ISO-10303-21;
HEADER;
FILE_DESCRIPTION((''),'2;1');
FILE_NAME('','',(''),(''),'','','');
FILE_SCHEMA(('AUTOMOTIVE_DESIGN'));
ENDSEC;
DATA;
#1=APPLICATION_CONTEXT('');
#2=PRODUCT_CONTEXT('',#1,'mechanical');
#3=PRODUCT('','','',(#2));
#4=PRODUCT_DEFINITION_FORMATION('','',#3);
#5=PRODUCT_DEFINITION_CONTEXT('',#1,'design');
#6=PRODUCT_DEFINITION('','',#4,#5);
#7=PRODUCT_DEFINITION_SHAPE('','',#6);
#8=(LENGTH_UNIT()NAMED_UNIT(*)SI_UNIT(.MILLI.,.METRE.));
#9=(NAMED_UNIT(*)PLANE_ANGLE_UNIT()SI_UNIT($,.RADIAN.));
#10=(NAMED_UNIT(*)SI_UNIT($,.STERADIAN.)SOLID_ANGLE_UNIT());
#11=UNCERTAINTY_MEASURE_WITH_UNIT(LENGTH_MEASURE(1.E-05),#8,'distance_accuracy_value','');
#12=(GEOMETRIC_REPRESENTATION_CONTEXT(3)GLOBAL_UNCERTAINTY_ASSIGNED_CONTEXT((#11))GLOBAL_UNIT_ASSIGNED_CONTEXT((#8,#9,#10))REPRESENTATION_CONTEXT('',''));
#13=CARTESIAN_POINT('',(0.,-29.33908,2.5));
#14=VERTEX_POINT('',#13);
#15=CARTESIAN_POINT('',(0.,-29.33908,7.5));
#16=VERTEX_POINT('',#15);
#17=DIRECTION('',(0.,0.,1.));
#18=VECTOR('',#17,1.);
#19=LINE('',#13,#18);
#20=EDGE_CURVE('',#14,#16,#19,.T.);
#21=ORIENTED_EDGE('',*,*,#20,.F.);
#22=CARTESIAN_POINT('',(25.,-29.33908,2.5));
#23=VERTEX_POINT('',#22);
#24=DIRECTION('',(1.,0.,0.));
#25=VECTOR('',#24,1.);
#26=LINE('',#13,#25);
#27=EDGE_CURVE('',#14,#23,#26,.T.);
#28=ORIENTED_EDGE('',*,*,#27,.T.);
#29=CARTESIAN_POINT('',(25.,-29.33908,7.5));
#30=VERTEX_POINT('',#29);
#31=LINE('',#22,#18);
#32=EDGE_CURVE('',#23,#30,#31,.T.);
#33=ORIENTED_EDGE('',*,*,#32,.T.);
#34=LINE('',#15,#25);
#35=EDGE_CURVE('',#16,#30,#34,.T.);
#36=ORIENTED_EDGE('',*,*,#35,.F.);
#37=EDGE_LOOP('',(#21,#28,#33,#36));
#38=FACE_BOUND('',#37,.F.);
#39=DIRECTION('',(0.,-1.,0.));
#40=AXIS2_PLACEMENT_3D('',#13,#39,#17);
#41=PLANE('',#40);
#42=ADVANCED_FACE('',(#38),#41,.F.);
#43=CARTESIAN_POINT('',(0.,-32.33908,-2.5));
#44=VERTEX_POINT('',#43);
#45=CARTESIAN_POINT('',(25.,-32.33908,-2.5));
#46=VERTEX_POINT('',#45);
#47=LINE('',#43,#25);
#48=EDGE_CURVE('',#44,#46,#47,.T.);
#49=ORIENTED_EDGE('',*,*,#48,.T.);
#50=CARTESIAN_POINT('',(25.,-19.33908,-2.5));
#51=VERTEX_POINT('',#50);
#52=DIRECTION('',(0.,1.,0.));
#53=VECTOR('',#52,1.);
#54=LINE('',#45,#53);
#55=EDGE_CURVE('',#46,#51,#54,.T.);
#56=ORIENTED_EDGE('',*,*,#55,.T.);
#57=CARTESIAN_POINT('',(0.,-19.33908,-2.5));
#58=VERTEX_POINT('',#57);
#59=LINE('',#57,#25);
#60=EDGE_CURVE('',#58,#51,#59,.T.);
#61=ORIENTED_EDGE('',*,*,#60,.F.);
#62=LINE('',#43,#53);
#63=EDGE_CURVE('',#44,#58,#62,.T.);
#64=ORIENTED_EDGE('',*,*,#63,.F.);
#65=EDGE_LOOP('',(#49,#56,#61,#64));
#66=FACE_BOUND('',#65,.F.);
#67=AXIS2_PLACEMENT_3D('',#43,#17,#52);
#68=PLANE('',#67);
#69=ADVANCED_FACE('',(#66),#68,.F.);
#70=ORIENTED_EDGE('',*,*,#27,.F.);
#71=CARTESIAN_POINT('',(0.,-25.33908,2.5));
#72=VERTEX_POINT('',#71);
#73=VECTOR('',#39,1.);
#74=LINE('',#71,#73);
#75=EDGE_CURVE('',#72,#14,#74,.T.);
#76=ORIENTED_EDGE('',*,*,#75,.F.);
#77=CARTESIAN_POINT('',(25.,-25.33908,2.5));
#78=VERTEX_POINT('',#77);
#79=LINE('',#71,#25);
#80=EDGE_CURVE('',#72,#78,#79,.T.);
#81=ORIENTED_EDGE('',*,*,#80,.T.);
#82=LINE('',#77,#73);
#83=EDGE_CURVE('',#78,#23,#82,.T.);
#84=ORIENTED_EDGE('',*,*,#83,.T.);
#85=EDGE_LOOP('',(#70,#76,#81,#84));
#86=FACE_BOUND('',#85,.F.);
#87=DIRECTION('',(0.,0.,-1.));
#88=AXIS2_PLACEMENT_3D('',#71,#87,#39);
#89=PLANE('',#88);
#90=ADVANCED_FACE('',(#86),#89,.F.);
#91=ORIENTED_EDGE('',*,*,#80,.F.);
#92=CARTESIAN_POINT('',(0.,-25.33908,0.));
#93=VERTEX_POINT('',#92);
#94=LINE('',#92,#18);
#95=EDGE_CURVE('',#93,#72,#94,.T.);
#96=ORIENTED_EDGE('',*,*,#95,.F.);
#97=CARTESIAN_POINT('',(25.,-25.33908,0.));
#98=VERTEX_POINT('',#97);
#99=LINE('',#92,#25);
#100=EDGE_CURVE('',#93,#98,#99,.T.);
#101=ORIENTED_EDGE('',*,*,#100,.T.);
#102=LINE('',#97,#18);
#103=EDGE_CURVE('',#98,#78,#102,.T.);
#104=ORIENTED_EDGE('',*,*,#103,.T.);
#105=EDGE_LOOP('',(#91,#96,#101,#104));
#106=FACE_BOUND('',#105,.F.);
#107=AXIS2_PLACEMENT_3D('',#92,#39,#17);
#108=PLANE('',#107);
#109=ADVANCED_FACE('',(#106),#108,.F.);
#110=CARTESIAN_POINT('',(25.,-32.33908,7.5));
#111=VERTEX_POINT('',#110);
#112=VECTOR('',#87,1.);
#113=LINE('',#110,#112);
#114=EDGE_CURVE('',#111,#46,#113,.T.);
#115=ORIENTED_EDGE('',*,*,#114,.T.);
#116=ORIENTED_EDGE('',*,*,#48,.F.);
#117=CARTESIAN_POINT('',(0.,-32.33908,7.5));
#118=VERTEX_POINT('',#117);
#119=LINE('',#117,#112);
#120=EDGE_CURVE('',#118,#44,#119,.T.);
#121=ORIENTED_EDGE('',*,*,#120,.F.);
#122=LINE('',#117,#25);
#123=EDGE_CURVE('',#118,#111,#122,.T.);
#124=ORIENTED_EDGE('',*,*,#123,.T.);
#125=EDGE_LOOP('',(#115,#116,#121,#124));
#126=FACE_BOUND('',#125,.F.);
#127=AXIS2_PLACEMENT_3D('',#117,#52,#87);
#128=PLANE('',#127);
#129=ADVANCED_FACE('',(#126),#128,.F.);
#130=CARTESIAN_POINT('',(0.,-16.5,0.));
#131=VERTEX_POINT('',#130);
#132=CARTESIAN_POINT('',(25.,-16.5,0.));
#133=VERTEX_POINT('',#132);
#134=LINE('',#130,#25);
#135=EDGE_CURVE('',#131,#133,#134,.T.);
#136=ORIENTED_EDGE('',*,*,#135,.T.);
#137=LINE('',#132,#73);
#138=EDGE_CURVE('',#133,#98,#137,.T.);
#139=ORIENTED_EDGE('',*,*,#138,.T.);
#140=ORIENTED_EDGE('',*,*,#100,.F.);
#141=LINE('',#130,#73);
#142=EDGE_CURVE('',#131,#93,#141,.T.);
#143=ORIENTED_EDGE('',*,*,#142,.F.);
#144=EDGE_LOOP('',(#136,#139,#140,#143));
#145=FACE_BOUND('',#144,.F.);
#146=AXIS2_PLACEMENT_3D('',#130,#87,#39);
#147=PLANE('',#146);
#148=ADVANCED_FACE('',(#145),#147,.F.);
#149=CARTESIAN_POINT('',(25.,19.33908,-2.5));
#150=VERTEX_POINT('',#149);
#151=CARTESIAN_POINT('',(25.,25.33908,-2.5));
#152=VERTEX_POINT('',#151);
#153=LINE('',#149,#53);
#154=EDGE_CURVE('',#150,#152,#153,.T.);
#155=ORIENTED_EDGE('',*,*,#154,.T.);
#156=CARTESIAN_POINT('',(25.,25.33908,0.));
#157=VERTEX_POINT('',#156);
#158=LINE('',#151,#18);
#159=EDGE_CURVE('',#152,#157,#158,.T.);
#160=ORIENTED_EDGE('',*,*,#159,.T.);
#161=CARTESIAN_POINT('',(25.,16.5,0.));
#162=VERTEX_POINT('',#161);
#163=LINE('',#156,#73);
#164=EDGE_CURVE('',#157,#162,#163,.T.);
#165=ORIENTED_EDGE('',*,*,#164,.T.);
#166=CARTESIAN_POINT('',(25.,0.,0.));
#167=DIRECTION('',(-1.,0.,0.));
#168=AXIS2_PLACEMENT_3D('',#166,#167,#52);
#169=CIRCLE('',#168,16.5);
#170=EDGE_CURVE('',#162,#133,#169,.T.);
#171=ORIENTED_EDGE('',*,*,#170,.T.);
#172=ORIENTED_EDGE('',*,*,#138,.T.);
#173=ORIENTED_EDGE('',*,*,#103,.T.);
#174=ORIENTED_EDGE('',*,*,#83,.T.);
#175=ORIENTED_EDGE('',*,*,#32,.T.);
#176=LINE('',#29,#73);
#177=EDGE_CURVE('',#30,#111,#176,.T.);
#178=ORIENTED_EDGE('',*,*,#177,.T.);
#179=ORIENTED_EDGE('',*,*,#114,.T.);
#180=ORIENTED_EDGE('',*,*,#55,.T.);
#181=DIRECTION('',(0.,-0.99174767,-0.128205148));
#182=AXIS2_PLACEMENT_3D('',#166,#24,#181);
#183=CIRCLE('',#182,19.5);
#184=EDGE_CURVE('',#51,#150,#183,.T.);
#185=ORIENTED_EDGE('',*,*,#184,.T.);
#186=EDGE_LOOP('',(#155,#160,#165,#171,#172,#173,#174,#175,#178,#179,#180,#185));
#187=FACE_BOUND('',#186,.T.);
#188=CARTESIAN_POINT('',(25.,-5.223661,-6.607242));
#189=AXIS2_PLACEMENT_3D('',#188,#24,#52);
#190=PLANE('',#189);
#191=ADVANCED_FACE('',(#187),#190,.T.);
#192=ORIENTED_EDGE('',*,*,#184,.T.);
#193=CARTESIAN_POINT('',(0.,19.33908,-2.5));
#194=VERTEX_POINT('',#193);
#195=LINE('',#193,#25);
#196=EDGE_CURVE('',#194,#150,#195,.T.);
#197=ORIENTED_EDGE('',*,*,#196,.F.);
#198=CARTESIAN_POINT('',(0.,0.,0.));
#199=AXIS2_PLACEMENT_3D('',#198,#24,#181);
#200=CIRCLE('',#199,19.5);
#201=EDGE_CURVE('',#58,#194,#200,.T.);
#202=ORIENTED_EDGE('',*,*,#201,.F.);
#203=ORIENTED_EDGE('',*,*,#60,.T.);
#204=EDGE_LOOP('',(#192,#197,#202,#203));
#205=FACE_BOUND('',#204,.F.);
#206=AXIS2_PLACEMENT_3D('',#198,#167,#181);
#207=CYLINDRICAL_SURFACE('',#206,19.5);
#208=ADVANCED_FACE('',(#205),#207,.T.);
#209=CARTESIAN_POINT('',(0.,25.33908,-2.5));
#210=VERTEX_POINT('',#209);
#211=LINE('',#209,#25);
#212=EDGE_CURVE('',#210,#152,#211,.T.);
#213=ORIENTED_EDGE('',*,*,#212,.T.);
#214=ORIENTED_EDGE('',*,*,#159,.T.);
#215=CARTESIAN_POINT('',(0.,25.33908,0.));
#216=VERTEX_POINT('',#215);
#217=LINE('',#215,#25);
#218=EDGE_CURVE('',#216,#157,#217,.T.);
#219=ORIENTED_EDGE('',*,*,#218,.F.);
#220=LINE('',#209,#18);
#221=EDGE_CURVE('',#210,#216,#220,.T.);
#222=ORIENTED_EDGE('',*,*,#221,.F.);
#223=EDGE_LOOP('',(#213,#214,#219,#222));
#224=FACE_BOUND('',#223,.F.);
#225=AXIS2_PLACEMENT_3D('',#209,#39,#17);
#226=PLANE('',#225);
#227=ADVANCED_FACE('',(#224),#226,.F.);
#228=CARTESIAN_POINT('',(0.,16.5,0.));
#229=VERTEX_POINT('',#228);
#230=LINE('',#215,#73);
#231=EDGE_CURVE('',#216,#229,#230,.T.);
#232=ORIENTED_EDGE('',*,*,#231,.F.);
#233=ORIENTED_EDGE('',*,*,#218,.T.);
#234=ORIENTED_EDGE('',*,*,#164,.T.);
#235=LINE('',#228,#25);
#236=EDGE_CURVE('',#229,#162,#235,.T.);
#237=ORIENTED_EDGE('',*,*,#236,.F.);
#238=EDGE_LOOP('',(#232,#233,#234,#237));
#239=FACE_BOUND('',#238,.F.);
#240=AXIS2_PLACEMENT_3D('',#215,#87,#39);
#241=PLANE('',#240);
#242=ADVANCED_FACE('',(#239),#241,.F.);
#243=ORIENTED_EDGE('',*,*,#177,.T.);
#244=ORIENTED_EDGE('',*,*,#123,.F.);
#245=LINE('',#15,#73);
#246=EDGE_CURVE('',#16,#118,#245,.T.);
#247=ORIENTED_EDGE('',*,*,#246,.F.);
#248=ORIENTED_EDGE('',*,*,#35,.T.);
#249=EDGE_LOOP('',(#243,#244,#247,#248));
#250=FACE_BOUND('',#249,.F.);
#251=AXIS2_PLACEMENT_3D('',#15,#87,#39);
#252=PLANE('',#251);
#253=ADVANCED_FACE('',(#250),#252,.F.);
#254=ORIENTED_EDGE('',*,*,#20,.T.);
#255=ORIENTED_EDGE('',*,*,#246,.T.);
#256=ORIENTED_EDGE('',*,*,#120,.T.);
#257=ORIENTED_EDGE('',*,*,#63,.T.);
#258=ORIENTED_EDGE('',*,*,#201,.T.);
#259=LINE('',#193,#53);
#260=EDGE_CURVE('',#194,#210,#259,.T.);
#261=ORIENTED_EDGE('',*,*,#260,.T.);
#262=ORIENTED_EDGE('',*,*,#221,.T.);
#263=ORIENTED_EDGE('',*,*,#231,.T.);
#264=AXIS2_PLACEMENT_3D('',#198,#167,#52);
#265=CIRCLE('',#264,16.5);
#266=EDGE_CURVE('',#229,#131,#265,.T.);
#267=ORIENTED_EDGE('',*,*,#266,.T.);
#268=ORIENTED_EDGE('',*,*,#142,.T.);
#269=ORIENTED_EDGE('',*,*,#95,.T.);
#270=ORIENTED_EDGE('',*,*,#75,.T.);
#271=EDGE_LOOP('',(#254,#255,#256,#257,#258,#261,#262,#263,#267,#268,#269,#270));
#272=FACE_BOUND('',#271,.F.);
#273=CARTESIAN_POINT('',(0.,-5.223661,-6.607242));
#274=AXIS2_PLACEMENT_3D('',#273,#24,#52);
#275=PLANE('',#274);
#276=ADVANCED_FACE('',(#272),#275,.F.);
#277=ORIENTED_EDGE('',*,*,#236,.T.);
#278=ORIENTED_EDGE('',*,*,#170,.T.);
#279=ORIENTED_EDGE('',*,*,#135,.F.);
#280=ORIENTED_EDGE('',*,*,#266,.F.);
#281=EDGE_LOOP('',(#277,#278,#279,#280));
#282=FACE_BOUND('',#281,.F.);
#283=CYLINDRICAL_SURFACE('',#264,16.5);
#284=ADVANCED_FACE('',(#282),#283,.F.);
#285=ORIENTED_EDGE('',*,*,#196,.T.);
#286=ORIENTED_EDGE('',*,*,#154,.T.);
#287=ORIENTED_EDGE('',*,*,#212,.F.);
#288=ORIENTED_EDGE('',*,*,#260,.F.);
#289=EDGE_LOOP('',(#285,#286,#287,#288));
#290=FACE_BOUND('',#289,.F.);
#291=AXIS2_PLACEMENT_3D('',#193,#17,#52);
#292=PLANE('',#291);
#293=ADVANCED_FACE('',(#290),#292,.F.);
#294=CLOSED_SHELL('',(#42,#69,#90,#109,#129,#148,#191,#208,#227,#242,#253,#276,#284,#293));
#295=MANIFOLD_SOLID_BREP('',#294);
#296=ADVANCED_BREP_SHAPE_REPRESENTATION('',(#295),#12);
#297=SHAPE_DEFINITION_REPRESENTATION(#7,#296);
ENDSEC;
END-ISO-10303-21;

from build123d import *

# Parameters (mm, degrees)
F1_DEPTH = 25


with BuildPart() as f1:
    # F0 (on Right) → F1 (new body)
    with BuildSketch(Plane.YZ):
        with BuildLine():
            Line((-29.33908, 7.5), (-32.33908, 7.5))
            Line((-32.33908, 7.5), (-32.33908, -2.5))
            Line((-32.33908, -2.5), (-19.33908, -2.5))
            ThreePointArc((-19.33908, -2.5), (0, -19.5), (19.33908, -2.5))
            Line((19.33908, -2.5), (25.33908, -2.5))
            Line((25.33908, -2.5), (25.33908, 0))
            Line((25.33908, 0), (16.5, 0))
            ThreePointArc((16.5, 0), (0, -16.5), (-16.5, 0))
            Line((-16.5, 0), (-25.33908, 0))
            Line((-25.33908, 0), (-25.33908, 2.5))
            Line((-25.33908, 2.5), (-29.33908, 2.5))
            Line((-29.33908, 2.5), (-29.33908, 7.5))
        make_face()
    extrude(amount=F1_DEPTH)


solid = f1.part
